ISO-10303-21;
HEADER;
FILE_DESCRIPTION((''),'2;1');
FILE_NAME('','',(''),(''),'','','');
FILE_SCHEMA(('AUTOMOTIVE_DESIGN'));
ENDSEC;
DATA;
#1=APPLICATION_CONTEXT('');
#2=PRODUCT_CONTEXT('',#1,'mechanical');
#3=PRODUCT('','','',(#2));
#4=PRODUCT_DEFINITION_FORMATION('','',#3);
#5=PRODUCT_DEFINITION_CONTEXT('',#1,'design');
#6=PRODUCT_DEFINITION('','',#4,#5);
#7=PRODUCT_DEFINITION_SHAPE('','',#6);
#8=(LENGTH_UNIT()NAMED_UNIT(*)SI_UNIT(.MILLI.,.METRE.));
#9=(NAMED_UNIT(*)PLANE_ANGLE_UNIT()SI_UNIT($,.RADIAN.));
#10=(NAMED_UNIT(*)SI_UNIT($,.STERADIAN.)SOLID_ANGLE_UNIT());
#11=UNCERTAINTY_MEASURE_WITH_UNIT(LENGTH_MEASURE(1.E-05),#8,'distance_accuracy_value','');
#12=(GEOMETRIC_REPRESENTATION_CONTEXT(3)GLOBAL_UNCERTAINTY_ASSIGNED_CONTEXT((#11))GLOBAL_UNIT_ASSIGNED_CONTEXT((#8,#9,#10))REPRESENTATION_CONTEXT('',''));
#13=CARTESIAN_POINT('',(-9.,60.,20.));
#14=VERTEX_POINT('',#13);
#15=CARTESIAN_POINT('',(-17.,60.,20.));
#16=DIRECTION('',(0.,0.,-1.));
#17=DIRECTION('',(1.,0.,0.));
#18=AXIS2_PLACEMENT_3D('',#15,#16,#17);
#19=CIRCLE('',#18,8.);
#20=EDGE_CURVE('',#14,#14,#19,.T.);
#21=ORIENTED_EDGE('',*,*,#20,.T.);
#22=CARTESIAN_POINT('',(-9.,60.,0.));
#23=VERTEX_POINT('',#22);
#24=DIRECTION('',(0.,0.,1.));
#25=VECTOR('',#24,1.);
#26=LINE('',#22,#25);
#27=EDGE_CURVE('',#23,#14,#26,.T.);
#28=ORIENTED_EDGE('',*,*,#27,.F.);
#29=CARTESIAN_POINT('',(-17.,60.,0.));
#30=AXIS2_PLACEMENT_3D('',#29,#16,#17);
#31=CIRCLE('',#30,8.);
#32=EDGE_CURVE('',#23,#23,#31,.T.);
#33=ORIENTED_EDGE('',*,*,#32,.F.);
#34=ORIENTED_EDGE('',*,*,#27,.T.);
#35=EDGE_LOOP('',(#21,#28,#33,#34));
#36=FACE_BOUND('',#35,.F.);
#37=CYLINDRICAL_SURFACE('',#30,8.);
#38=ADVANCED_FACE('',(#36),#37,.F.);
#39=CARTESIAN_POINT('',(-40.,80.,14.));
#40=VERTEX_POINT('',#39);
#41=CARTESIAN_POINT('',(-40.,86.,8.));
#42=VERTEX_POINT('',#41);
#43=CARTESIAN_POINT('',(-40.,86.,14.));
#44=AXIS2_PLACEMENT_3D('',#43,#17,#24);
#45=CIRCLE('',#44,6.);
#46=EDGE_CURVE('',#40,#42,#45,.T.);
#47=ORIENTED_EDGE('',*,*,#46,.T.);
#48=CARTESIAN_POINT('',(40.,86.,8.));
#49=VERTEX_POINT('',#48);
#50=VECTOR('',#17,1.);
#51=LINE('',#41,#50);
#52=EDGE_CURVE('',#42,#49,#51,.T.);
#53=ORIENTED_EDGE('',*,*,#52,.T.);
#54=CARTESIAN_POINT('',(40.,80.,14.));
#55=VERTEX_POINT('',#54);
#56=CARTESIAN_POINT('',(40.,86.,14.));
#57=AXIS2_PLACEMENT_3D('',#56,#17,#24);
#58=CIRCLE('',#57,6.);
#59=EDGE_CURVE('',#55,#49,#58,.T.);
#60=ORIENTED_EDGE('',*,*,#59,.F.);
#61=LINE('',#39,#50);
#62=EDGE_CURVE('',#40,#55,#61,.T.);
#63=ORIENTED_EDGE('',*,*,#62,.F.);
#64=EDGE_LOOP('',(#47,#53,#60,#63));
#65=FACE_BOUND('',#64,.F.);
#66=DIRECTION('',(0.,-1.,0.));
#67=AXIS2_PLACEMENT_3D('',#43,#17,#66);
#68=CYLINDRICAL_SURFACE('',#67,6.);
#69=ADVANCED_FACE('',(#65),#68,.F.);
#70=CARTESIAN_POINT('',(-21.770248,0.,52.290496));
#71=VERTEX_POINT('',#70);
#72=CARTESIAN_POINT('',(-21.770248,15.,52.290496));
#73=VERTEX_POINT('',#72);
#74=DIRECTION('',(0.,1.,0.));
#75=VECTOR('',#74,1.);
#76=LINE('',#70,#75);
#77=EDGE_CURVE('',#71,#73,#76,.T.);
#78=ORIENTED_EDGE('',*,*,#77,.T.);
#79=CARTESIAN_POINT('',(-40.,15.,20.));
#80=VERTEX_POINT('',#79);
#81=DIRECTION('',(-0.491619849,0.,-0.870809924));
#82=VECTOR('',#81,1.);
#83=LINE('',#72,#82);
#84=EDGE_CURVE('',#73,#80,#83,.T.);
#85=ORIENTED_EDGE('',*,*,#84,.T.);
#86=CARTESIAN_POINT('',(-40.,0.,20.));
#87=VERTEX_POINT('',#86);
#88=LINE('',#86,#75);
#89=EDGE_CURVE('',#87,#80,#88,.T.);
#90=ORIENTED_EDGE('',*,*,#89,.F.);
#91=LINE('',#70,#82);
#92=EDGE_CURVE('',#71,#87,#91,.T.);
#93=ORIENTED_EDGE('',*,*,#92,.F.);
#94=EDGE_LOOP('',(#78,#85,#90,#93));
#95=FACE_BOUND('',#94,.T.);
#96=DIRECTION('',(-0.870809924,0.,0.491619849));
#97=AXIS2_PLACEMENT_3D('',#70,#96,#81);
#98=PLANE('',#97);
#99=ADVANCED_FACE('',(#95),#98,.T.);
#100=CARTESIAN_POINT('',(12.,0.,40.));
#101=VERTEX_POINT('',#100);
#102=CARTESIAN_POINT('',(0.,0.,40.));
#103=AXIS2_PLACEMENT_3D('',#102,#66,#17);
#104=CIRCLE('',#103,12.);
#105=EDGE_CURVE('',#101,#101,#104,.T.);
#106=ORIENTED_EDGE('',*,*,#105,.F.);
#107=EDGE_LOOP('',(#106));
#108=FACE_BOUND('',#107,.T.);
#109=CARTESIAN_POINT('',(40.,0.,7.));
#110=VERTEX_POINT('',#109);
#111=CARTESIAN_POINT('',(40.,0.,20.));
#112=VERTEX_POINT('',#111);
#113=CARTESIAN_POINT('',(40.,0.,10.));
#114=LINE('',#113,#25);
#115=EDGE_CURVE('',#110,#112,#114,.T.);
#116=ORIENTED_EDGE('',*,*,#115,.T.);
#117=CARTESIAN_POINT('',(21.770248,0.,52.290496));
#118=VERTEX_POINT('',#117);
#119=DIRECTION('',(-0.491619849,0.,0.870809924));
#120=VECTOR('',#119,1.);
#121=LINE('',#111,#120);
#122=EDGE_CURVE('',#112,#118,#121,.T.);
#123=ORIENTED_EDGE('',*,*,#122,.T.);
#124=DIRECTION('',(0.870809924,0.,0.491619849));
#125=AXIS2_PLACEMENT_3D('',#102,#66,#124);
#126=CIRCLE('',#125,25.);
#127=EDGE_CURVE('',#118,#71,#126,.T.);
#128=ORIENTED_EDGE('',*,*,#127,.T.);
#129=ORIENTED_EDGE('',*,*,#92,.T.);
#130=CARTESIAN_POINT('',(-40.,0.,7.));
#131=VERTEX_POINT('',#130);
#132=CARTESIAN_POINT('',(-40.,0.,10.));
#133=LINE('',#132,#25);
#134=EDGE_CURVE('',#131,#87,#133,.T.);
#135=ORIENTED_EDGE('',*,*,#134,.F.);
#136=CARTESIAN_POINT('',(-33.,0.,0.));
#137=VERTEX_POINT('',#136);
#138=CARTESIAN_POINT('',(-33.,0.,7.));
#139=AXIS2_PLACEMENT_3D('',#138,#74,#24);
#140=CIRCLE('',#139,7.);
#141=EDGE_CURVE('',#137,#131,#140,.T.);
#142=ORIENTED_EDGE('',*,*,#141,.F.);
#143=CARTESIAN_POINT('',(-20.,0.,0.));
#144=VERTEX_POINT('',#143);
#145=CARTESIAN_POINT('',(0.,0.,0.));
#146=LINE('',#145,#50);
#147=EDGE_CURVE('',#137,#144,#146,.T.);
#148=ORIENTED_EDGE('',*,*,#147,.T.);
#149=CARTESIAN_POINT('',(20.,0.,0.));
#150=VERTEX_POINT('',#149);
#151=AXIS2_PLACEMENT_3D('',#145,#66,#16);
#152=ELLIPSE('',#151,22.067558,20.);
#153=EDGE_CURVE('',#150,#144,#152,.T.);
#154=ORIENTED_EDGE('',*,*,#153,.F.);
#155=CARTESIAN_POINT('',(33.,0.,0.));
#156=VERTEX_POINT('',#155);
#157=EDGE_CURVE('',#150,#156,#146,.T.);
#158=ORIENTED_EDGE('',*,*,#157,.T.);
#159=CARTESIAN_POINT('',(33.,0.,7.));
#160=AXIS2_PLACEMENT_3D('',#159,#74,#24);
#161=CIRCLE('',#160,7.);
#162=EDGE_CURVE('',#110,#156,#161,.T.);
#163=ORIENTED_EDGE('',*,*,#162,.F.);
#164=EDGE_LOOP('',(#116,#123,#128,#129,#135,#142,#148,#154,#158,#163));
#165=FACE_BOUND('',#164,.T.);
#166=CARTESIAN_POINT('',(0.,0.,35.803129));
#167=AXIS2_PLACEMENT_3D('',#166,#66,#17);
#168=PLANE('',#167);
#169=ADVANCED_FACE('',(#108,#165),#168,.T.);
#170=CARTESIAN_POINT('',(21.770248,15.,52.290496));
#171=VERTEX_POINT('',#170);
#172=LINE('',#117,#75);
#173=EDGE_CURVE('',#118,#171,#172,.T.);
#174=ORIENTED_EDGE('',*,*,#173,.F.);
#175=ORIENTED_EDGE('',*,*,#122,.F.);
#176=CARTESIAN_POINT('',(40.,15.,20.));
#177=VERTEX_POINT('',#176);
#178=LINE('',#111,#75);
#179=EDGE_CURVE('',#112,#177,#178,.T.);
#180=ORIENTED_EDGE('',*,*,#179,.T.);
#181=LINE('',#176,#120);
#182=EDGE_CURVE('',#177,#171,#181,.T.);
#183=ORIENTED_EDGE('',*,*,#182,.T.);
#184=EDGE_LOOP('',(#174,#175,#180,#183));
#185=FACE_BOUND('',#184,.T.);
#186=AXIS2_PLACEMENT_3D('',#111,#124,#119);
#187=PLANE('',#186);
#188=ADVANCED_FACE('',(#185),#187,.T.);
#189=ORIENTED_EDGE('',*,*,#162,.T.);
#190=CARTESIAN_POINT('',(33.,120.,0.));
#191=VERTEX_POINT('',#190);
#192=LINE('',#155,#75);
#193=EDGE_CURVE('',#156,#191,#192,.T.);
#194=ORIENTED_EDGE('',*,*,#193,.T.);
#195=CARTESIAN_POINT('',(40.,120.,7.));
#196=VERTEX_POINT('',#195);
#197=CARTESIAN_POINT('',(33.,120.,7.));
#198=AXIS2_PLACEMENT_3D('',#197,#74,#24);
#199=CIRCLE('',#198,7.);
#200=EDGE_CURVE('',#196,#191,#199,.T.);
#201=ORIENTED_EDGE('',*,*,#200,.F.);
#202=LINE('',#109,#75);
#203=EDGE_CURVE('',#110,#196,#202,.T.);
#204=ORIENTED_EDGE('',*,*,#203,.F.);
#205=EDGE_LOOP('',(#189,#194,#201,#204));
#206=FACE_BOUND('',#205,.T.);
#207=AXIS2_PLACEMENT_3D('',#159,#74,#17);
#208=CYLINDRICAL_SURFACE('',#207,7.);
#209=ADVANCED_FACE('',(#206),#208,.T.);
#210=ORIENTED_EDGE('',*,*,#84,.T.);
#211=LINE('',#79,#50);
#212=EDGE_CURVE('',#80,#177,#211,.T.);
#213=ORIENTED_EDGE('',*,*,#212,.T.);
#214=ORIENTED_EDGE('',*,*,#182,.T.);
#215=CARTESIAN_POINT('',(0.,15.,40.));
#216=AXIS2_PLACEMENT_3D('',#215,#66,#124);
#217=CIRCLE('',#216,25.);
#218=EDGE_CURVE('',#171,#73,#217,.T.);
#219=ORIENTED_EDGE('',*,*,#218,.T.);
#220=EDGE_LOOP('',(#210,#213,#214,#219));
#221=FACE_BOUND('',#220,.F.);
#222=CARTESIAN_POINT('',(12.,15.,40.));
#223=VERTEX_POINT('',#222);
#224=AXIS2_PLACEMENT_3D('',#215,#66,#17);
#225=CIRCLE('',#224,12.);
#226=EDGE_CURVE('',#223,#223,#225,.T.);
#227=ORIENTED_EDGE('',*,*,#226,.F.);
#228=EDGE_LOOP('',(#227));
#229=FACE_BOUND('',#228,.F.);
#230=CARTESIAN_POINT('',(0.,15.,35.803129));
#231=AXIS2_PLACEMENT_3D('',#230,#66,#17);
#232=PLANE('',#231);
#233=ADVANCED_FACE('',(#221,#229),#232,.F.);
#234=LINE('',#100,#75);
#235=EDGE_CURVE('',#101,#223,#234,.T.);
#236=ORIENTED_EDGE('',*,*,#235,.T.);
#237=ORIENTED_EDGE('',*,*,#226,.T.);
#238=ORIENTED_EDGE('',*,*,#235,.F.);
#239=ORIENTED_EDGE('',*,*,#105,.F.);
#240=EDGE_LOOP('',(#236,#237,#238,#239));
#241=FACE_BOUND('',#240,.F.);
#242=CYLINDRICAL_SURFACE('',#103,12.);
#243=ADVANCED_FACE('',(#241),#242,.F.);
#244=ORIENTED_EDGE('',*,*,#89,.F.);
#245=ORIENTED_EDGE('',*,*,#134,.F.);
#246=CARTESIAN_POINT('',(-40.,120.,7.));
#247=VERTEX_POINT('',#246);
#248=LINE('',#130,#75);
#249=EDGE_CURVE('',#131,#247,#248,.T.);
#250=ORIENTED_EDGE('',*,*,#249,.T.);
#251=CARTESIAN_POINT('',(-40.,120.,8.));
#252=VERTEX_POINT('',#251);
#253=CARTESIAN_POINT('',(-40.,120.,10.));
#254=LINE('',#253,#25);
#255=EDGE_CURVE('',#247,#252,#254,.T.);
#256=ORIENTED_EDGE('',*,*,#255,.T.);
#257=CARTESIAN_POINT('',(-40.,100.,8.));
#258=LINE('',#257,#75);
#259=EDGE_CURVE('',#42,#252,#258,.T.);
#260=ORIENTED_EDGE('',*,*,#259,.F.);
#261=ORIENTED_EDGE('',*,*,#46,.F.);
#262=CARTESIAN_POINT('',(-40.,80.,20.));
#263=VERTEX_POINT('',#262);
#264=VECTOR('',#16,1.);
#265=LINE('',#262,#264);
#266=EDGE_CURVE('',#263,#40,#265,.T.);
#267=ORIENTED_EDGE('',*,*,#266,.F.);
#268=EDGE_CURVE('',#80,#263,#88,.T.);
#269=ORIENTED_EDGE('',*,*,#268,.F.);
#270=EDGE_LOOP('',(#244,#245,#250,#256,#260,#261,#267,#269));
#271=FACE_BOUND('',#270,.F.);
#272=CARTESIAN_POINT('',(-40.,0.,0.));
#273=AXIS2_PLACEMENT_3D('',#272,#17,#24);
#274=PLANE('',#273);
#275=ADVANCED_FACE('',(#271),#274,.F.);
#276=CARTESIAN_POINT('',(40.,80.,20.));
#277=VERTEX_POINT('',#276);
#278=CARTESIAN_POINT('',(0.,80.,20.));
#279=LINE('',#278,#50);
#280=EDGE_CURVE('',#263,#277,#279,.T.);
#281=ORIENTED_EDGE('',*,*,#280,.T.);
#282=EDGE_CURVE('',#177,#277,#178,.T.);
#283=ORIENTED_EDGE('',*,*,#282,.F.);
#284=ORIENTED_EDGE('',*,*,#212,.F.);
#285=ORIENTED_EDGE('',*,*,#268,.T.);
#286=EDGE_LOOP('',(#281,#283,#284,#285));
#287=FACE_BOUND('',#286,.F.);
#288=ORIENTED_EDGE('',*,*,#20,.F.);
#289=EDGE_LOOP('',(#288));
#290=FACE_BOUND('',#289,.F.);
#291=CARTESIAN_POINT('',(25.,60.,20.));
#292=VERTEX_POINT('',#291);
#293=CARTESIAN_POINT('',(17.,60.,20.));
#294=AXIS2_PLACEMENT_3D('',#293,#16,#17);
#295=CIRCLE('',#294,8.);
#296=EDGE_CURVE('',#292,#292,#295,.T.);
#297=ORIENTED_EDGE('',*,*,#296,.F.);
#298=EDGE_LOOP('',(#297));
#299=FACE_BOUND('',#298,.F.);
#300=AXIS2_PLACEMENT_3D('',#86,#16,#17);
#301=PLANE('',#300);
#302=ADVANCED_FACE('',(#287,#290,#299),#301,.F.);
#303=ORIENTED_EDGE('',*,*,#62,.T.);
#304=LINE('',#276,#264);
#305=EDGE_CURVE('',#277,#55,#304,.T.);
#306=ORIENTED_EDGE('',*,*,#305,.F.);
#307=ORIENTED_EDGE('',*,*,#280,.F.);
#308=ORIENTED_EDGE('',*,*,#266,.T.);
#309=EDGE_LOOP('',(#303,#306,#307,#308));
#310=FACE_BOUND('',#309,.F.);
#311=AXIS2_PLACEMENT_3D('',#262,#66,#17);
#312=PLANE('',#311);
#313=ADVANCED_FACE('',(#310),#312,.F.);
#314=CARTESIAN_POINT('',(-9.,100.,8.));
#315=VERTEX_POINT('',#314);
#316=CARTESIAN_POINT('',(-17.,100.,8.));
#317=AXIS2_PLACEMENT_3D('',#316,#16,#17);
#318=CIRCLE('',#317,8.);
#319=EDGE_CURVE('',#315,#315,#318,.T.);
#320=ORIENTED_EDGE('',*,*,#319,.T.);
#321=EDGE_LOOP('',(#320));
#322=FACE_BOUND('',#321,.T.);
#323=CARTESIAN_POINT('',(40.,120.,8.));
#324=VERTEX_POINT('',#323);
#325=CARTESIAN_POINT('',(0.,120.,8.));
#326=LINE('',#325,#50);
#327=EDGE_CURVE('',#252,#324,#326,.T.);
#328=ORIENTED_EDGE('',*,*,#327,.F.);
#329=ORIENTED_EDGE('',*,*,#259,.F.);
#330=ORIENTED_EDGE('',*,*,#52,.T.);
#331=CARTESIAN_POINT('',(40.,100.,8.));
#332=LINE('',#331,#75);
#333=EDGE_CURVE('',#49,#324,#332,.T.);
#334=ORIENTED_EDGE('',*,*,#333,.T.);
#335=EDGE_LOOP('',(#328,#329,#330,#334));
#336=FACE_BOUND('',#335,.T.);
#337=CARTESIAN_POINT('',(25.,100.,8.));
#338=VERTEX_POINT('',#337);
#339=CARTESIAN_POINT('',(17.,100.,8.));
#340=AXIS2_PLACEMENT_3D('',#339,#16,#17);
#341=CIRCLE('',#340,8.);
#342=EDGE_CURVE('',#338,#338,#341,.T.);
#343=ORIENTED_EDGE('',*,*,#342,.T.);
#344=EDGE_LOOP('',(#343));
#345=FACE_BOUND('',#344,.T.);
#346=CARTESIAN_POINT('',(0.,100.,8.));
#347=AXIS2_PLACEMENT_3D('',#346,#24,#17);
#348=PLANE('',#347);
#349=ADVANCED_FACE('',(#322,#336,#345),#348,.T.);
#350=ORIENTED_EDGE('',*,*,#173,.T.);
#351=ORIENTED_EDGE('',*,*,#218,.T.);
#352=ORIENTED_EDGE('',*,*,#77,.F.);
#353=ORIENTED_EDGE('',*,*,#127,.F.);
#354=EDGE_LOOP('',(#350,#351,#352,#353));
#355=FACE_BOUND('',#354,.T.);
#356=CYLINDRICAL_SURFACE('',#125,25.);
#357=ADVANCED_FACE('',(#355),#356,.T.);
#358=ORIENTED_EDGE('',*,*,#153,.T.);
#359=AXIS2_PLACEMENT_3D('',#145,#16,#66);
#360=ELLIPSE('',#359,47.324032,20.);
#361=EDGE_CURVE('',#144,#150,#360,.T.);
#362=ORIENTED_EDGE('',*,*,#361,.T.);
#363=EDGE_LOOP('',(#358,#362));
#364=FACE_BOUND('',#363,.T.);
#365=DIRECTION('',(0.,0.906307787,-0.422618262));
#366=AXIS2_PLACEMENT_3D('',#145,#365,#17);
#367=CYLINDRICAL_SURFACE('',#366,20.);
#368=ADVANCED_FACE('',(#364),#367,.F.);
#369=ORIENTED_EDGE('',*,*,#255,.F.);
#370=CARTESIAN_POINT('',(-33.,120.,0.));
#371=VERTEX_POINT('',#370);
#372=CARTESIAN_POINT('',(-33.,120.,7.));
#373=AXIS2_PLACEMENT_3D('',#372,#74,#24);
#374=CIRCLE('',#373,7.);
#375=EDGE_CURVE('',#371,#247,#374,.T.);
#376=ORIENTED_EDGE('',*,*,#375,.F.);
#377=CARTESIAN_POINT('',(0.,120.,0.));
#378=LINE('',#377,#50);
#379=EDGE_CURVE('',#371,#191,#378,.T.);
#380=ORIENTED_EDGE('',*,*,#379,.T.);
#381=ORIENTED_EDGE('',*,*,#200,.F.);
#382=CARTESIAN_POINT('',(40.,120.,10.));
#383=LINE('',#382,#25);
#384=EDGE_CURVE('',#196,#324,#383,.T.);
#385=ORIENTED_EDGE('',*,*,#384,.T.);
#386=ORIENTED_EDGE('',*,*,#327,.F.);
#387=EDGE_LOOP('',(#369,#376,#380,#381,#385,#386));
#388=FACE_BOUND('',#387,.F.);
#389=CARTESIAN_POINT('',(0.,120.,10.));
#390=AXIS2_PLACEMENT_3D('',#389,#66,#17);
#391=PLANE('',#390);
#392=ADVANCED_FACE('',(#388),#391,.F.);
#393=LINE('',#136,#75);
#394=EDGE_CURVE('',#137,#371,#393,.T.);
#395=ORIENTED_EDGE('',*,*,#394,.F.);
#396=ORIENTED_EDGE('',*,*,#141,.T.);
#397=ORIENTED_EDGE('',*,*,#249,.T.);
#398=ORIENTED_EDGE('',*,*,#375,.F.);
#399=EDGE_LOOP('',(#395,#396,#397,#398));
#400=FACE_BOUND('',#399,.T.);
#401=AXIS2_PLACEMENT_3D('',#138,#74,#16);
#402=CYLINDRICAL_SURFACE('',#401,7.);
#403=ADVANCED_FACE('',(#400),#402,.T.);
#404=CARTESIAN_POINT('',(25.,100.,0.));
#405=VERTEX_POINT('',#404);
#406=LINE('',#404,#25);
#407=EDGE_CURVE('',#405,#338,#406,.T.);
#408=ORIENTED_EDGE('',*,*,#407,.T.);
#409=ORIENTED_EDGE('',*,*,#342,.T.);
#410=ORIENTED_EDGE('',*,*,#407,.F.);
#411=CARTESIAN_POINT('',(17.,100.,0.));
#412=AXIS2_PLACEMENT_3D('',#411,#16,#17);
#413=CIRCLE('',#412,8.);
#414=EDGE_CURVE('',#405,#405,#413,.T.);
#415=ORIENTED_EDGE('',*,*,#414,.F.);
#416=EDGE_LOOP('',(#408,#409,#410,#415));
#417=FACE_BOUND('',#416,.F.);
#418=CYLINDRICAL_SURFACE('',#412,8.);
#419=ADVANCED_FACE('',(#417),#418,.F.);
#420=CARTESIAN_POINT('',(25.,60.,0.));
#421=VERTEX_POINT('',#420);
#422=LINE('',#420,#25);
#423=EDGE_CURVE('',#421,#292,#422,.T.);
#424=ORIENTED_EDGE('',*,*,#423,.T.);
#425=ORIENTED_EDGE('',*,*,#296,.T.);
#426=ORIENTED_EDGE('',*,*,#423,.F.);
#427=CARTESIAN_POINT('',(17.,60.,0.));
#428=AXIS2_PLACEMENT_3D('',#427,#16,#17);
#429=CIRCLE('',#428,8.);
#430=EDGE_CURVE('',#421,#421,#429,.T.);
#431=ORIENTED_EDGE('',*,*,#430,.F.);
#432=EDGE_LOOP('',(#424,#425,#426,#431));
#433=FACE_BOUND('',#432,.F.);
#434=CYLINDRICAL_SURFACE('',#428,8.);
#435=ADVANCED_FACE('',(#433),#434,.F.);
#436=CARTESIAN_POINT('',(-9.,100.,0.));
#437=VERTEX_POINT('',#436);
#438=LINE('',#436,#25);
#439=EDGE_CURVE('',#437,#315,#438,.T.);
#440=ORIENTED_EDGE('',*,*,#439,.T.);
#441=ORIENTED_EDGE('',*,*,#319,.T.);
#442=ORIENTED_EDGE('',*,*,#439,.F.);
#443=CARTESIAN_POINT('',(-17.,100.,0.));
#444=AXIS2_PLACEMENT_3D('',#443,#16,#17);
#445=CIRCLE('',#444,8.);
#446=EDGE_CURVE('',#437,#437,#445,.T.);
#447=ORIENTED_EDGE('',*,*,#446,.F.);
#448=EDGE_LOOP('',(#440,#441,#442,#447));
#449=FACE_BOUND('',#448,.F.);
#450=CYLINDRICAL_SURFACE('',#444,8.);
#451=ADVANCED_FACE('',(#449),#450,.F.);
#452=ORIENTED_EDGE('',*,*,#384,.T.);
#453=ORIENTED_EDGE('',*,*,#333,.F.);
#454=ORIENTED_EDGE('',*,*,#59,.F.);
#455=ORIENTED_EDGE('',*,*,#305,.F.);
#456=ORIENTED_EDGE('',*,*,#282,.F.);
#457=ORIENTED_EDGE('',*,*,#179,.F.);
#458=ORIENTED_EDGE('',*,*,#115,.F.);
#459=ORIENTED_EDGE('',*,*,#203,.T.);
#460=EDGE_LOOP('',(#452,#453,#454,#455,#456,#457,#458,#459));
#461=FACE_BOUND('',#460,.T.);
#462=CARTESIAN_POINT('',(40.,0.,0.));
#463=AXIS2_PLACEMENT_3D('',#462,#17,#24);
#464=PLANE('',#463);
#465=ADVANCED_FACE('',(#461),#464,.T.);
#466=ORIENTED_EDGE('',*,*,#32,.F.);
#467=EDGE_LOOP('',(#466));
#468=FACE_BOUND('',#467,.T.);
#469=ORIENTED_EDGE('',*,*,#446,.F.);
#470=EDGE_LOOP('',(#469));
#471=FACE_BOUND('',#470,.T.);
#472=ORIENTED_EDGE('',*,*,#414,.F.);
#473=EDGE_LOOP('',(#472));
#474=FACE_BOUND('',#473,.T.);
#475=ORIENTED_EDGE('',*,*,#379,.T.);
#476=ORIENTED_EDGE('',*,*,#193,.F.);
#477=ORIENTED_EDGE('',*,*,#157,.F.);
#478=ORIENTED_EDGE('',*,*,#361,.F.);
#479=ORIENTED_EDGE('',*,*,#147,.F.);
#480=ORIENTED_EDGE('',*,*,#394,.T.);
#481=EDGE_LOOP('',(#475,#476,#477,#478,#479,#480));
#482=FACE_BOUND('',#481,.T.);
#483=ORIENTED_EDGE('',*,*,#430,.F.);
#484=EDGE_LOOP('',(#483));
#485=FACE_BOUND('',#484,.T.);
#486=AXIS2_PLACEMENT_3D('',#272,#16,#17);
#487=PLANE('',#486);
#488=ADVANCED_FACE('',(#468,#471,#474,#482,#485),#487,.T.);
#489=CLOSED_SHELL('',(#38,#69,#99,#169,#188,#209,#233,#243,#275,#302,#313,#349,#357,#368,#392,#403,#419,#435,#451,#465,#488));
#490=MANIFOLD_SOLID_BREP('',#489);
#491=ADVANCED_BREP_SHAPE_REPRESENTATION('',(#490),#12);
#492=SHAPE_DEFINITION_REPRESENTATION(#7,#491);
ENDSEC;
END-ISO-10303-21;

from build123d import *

# Parameters (mm, degrees)
F0_W           = 80
F0_H           = 20
F1_DEPTH       = 120
F0_R           = 12
F2_DEPTH       = 15
F3_W           = 80
F3_H           = 40
F4_DEPTH       = 12
F5_R           = 6
F6_R           = 7
F7_R           = 8
F8_DEPTH       = 20
F10_R          = 20
F11_DEPTH      = 108.7579344444
F11_DEPTH_BACK = 27.4711870131


with BuildPart() as f1:
    # F0 (on Front) → F1 (new body)
    with BuildSketch(Plane.XZ):
        with Locations((0, 10)):
            Rectangle(F0_W, F0_H)
    extrude(amount=-F1_DEPTH)

    # F0 (on Front) → F2 (join)
    with BuildSketch(Plane.XZ):
        with BuildLine():
            Line((40, 20), (21.7702481089, 52.2904962177))
            ThreePointArc((21.7702481089, 52.2904962177), (0, 65), (-21.7702481089, 52.2904962177))
            Line((-21.7702481089, 52.2904962177), (-40, 20))
            Line((-40, 20), (40, 20))
        make_face()
        with Locations((0, 40)):
            Circle(F0_R, mode=Mode.SUBTRACT)
    extrude(amount=-F2_DEPTH)

    # F3 (on face) → F4 (cut)
    with BuildSketch(Plane.XY.offset(20)):
        with Locations((0, 100)):
            Rectangle(F3_W, F3_H)
    extrude(amount=-F4_DEPTH, mode=Mode.SUBTRACT)

    # F5
    f5_edges = [f1.edges().sort_by_distance(p)[0] for p in [
        (0, 80, 8),
    ]]
    fillet(f5_edges, radius=F5_R)

    # F6
    f6_edges = [f1.edges().sort_by_distance(p)[0] for p in [
        (40, 60, 0),
        (-40, 60, 0),
    ]]
    fillet(f6_edges, radius=F6_R)

    # F7 (on face) → F8 (cut, through all)
    with BuildSketch(Plane(origin=(0, 0, 0), x_dir=(1, 0, 0), z_dir=(0, 0, -1))):
        with Locations((17, -60)):
            Circle(F7_R)
        with Locations((17, -100)):
            Circle(F7_R)
        with Locations((-17, -100)):
            Circle(F7_R)
        with Locations((-17, -60)):
            Circle(F7_R)
    extrude(amount=-F8_DEPTH, mode=Mode.SUBTRACT)

    # F10 (on line) → F11 (cut, two sides)
    with BuildSketch(Plane(origin=(0, 0, 0), x_dir=(1, 0, 0), z_dir=(0, -0.906307787, 0.4226182617))) as f11_sk:
        Circle(F10_R)
    extrude(amount=-F11_DEPTH, mode=Mode.SUBTRACT)
    extrude(f11_sk.sketch, amount=F11_DEPTH_BACK, mode=Mode.SUBTRACT)


solid = f1.part
